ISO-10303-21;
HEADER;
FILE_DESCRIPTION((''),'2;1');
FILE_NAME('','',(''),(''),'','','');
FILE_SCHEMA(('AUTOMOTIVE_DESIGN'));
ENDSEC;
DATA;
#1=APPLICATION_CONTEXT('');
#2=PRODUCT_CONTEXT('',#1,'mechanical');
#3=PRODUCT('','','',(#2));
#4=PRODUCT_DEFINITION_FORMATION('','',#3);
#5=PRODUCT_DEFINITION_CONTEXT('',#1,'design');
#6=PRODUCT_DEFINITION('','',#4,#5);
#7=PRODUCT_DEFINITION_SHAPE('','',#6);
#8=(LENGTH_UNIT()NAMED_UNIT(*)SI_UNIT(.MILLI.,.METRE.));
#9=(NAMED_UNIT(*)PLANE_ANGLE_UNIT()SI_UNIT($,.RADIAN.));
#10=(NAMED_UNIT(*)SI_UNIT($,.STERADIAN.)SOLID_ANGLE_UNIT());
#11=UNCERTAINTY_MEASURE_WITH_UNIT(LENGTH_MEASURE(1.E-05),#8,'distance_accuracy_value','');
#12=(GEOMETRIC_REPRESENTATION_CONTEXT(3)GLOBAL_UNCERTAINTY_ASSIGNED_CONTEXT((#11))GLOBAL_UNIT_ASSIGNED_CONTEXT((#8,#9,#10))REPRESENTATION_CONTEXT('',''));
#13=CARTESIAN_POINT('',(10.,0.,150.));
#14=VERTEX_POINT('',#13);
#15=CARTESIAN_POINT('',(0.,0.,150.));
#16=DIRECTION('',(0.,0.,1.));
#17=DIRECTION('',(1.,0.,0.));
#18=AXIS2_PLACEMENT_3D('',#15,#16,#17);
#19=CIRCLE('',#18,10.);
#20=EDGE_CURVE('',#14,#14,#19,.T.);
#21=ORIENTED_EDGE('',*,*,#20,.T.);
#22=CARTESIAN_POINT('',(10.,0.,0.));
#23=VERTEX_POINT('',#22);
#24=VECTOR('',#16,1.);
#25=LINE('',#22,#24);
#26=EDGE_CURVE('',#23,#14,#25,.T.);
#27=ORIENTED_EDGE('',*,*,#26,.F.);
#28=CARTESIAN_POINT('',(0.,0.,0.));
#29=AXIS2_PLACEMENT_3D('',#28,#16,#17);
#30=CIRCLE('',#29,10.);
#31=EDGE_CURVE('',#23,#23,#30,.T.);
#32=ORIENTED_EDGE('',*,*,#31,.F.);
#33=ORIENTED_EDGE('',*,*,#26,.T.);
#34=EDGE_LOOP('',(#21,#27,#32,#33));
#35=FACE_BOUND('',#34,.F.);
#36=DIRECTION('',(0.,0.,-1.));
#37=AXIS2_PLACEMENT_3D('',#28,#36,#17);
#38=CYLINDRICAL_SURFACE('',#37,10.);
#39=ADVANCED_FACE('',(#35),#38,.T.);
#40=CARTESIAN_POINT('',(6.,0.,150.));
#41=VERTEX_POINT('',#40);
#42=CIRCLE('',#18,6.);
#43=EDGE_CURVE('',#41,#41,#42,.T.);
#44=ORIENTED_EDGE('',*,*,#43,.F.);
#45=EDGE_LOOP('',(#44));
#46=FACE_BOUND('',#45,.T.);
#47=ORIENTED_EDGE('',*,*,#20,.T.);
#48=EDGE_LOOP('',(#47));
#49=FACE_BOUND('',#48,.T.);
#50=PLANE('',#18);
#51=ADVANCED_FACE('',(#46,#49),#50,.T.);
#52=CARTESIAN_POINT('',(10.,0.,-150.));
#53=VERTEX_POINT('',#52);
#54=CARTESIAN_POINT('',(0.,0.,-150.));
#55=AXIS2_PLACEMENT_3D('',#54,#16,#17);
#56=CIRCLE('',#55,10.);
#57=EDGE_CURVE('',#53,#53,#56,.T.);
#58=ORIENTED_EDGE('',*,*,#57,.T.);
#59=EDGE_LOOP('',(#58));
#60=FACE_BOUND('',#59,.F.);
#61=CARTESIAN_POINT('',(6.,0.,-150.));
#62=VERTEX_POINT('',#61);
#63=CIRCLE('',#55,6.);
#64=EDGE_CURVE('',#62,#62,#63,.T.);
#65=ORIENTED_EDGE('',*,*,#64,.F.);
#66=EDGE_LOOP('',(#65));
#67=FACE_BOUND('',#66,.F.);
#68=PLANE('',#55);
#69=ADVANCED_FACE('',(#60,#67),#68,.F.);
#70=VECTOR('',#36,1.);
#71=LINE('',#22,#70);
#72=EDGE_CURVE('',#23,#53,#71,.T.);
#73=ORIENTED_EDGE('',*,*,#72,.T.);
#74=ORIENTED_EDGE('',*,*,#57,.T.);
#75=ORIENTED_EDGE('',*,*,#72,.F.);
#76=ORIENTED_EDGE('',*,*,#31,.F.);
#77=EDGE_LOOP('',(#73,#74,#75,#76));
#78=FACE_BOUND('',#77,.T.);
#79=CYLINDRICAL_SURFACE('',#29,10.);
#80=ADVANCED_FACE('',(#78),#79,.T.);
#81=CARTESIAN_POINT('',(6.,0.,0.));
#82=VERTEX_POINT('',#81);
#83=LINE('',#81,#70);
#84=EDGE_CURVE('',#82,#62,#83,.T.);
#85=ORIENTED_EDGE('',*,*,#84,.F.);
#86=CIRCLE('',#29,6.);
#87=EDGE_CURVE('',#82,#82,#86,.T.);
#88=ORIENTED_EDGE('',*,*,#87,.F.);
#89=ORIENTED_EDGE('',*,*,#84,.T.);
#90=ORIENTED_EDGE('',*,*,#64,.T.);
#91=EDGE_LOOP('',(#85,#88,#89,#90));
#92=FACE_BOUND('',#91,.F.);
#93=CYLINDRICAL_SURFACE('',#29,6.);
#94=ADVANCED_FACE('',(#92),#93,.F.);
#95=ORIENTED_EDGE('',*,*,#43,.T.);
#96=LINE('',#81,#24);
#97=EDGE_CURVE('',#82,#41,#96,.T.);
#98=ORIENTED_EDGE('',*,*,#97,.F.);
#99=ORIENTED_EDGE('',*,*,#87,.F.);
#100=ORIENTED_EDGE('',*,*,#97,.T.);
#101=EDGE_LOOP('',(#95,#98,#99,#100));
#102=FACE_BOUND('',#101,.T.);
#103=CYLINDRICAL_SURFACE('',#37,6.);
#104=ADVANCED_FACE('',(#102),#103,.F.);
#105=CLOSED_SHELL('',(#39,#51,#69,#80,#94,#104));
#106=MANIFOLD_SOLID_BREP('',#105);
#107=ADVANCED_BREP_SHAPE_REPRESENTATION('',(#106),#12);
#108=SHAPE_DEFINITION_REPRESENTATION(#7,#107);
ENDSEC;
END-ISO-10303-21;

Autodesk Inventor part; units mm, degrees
ref_plane "YZ Plane" through (0, 0, 0) normal (1, 0, 0) x (0, 1, 0)
ref_plane "XZ Plane" through (0, 0, 0) normal (0, 1, 0) x (-1, 0, 0)
ref_plane "XY Plane" through (0, 0, 0) normal (0, 0, 1) x (1, 0, 0)
sketch "Sketch1" plane through (0, 0, 0) normal (0, 0, 1) x (1, 0, 0)
  line L0 (-14, 0) -> (14, 0) construction
  line L1 (0, 14) -> (0, -14) construction
  circle A0 centre (0, 0) radius 10
  circle A1 centre (0, 0) radius 6
  dimension "d0" = 20
  dimension "d2" = 4
extrude "Extrusion1" add sketch "Sketch1" along normal mid plane 300
properties part number "10-005-PIPE" material "Stainless Steel"
